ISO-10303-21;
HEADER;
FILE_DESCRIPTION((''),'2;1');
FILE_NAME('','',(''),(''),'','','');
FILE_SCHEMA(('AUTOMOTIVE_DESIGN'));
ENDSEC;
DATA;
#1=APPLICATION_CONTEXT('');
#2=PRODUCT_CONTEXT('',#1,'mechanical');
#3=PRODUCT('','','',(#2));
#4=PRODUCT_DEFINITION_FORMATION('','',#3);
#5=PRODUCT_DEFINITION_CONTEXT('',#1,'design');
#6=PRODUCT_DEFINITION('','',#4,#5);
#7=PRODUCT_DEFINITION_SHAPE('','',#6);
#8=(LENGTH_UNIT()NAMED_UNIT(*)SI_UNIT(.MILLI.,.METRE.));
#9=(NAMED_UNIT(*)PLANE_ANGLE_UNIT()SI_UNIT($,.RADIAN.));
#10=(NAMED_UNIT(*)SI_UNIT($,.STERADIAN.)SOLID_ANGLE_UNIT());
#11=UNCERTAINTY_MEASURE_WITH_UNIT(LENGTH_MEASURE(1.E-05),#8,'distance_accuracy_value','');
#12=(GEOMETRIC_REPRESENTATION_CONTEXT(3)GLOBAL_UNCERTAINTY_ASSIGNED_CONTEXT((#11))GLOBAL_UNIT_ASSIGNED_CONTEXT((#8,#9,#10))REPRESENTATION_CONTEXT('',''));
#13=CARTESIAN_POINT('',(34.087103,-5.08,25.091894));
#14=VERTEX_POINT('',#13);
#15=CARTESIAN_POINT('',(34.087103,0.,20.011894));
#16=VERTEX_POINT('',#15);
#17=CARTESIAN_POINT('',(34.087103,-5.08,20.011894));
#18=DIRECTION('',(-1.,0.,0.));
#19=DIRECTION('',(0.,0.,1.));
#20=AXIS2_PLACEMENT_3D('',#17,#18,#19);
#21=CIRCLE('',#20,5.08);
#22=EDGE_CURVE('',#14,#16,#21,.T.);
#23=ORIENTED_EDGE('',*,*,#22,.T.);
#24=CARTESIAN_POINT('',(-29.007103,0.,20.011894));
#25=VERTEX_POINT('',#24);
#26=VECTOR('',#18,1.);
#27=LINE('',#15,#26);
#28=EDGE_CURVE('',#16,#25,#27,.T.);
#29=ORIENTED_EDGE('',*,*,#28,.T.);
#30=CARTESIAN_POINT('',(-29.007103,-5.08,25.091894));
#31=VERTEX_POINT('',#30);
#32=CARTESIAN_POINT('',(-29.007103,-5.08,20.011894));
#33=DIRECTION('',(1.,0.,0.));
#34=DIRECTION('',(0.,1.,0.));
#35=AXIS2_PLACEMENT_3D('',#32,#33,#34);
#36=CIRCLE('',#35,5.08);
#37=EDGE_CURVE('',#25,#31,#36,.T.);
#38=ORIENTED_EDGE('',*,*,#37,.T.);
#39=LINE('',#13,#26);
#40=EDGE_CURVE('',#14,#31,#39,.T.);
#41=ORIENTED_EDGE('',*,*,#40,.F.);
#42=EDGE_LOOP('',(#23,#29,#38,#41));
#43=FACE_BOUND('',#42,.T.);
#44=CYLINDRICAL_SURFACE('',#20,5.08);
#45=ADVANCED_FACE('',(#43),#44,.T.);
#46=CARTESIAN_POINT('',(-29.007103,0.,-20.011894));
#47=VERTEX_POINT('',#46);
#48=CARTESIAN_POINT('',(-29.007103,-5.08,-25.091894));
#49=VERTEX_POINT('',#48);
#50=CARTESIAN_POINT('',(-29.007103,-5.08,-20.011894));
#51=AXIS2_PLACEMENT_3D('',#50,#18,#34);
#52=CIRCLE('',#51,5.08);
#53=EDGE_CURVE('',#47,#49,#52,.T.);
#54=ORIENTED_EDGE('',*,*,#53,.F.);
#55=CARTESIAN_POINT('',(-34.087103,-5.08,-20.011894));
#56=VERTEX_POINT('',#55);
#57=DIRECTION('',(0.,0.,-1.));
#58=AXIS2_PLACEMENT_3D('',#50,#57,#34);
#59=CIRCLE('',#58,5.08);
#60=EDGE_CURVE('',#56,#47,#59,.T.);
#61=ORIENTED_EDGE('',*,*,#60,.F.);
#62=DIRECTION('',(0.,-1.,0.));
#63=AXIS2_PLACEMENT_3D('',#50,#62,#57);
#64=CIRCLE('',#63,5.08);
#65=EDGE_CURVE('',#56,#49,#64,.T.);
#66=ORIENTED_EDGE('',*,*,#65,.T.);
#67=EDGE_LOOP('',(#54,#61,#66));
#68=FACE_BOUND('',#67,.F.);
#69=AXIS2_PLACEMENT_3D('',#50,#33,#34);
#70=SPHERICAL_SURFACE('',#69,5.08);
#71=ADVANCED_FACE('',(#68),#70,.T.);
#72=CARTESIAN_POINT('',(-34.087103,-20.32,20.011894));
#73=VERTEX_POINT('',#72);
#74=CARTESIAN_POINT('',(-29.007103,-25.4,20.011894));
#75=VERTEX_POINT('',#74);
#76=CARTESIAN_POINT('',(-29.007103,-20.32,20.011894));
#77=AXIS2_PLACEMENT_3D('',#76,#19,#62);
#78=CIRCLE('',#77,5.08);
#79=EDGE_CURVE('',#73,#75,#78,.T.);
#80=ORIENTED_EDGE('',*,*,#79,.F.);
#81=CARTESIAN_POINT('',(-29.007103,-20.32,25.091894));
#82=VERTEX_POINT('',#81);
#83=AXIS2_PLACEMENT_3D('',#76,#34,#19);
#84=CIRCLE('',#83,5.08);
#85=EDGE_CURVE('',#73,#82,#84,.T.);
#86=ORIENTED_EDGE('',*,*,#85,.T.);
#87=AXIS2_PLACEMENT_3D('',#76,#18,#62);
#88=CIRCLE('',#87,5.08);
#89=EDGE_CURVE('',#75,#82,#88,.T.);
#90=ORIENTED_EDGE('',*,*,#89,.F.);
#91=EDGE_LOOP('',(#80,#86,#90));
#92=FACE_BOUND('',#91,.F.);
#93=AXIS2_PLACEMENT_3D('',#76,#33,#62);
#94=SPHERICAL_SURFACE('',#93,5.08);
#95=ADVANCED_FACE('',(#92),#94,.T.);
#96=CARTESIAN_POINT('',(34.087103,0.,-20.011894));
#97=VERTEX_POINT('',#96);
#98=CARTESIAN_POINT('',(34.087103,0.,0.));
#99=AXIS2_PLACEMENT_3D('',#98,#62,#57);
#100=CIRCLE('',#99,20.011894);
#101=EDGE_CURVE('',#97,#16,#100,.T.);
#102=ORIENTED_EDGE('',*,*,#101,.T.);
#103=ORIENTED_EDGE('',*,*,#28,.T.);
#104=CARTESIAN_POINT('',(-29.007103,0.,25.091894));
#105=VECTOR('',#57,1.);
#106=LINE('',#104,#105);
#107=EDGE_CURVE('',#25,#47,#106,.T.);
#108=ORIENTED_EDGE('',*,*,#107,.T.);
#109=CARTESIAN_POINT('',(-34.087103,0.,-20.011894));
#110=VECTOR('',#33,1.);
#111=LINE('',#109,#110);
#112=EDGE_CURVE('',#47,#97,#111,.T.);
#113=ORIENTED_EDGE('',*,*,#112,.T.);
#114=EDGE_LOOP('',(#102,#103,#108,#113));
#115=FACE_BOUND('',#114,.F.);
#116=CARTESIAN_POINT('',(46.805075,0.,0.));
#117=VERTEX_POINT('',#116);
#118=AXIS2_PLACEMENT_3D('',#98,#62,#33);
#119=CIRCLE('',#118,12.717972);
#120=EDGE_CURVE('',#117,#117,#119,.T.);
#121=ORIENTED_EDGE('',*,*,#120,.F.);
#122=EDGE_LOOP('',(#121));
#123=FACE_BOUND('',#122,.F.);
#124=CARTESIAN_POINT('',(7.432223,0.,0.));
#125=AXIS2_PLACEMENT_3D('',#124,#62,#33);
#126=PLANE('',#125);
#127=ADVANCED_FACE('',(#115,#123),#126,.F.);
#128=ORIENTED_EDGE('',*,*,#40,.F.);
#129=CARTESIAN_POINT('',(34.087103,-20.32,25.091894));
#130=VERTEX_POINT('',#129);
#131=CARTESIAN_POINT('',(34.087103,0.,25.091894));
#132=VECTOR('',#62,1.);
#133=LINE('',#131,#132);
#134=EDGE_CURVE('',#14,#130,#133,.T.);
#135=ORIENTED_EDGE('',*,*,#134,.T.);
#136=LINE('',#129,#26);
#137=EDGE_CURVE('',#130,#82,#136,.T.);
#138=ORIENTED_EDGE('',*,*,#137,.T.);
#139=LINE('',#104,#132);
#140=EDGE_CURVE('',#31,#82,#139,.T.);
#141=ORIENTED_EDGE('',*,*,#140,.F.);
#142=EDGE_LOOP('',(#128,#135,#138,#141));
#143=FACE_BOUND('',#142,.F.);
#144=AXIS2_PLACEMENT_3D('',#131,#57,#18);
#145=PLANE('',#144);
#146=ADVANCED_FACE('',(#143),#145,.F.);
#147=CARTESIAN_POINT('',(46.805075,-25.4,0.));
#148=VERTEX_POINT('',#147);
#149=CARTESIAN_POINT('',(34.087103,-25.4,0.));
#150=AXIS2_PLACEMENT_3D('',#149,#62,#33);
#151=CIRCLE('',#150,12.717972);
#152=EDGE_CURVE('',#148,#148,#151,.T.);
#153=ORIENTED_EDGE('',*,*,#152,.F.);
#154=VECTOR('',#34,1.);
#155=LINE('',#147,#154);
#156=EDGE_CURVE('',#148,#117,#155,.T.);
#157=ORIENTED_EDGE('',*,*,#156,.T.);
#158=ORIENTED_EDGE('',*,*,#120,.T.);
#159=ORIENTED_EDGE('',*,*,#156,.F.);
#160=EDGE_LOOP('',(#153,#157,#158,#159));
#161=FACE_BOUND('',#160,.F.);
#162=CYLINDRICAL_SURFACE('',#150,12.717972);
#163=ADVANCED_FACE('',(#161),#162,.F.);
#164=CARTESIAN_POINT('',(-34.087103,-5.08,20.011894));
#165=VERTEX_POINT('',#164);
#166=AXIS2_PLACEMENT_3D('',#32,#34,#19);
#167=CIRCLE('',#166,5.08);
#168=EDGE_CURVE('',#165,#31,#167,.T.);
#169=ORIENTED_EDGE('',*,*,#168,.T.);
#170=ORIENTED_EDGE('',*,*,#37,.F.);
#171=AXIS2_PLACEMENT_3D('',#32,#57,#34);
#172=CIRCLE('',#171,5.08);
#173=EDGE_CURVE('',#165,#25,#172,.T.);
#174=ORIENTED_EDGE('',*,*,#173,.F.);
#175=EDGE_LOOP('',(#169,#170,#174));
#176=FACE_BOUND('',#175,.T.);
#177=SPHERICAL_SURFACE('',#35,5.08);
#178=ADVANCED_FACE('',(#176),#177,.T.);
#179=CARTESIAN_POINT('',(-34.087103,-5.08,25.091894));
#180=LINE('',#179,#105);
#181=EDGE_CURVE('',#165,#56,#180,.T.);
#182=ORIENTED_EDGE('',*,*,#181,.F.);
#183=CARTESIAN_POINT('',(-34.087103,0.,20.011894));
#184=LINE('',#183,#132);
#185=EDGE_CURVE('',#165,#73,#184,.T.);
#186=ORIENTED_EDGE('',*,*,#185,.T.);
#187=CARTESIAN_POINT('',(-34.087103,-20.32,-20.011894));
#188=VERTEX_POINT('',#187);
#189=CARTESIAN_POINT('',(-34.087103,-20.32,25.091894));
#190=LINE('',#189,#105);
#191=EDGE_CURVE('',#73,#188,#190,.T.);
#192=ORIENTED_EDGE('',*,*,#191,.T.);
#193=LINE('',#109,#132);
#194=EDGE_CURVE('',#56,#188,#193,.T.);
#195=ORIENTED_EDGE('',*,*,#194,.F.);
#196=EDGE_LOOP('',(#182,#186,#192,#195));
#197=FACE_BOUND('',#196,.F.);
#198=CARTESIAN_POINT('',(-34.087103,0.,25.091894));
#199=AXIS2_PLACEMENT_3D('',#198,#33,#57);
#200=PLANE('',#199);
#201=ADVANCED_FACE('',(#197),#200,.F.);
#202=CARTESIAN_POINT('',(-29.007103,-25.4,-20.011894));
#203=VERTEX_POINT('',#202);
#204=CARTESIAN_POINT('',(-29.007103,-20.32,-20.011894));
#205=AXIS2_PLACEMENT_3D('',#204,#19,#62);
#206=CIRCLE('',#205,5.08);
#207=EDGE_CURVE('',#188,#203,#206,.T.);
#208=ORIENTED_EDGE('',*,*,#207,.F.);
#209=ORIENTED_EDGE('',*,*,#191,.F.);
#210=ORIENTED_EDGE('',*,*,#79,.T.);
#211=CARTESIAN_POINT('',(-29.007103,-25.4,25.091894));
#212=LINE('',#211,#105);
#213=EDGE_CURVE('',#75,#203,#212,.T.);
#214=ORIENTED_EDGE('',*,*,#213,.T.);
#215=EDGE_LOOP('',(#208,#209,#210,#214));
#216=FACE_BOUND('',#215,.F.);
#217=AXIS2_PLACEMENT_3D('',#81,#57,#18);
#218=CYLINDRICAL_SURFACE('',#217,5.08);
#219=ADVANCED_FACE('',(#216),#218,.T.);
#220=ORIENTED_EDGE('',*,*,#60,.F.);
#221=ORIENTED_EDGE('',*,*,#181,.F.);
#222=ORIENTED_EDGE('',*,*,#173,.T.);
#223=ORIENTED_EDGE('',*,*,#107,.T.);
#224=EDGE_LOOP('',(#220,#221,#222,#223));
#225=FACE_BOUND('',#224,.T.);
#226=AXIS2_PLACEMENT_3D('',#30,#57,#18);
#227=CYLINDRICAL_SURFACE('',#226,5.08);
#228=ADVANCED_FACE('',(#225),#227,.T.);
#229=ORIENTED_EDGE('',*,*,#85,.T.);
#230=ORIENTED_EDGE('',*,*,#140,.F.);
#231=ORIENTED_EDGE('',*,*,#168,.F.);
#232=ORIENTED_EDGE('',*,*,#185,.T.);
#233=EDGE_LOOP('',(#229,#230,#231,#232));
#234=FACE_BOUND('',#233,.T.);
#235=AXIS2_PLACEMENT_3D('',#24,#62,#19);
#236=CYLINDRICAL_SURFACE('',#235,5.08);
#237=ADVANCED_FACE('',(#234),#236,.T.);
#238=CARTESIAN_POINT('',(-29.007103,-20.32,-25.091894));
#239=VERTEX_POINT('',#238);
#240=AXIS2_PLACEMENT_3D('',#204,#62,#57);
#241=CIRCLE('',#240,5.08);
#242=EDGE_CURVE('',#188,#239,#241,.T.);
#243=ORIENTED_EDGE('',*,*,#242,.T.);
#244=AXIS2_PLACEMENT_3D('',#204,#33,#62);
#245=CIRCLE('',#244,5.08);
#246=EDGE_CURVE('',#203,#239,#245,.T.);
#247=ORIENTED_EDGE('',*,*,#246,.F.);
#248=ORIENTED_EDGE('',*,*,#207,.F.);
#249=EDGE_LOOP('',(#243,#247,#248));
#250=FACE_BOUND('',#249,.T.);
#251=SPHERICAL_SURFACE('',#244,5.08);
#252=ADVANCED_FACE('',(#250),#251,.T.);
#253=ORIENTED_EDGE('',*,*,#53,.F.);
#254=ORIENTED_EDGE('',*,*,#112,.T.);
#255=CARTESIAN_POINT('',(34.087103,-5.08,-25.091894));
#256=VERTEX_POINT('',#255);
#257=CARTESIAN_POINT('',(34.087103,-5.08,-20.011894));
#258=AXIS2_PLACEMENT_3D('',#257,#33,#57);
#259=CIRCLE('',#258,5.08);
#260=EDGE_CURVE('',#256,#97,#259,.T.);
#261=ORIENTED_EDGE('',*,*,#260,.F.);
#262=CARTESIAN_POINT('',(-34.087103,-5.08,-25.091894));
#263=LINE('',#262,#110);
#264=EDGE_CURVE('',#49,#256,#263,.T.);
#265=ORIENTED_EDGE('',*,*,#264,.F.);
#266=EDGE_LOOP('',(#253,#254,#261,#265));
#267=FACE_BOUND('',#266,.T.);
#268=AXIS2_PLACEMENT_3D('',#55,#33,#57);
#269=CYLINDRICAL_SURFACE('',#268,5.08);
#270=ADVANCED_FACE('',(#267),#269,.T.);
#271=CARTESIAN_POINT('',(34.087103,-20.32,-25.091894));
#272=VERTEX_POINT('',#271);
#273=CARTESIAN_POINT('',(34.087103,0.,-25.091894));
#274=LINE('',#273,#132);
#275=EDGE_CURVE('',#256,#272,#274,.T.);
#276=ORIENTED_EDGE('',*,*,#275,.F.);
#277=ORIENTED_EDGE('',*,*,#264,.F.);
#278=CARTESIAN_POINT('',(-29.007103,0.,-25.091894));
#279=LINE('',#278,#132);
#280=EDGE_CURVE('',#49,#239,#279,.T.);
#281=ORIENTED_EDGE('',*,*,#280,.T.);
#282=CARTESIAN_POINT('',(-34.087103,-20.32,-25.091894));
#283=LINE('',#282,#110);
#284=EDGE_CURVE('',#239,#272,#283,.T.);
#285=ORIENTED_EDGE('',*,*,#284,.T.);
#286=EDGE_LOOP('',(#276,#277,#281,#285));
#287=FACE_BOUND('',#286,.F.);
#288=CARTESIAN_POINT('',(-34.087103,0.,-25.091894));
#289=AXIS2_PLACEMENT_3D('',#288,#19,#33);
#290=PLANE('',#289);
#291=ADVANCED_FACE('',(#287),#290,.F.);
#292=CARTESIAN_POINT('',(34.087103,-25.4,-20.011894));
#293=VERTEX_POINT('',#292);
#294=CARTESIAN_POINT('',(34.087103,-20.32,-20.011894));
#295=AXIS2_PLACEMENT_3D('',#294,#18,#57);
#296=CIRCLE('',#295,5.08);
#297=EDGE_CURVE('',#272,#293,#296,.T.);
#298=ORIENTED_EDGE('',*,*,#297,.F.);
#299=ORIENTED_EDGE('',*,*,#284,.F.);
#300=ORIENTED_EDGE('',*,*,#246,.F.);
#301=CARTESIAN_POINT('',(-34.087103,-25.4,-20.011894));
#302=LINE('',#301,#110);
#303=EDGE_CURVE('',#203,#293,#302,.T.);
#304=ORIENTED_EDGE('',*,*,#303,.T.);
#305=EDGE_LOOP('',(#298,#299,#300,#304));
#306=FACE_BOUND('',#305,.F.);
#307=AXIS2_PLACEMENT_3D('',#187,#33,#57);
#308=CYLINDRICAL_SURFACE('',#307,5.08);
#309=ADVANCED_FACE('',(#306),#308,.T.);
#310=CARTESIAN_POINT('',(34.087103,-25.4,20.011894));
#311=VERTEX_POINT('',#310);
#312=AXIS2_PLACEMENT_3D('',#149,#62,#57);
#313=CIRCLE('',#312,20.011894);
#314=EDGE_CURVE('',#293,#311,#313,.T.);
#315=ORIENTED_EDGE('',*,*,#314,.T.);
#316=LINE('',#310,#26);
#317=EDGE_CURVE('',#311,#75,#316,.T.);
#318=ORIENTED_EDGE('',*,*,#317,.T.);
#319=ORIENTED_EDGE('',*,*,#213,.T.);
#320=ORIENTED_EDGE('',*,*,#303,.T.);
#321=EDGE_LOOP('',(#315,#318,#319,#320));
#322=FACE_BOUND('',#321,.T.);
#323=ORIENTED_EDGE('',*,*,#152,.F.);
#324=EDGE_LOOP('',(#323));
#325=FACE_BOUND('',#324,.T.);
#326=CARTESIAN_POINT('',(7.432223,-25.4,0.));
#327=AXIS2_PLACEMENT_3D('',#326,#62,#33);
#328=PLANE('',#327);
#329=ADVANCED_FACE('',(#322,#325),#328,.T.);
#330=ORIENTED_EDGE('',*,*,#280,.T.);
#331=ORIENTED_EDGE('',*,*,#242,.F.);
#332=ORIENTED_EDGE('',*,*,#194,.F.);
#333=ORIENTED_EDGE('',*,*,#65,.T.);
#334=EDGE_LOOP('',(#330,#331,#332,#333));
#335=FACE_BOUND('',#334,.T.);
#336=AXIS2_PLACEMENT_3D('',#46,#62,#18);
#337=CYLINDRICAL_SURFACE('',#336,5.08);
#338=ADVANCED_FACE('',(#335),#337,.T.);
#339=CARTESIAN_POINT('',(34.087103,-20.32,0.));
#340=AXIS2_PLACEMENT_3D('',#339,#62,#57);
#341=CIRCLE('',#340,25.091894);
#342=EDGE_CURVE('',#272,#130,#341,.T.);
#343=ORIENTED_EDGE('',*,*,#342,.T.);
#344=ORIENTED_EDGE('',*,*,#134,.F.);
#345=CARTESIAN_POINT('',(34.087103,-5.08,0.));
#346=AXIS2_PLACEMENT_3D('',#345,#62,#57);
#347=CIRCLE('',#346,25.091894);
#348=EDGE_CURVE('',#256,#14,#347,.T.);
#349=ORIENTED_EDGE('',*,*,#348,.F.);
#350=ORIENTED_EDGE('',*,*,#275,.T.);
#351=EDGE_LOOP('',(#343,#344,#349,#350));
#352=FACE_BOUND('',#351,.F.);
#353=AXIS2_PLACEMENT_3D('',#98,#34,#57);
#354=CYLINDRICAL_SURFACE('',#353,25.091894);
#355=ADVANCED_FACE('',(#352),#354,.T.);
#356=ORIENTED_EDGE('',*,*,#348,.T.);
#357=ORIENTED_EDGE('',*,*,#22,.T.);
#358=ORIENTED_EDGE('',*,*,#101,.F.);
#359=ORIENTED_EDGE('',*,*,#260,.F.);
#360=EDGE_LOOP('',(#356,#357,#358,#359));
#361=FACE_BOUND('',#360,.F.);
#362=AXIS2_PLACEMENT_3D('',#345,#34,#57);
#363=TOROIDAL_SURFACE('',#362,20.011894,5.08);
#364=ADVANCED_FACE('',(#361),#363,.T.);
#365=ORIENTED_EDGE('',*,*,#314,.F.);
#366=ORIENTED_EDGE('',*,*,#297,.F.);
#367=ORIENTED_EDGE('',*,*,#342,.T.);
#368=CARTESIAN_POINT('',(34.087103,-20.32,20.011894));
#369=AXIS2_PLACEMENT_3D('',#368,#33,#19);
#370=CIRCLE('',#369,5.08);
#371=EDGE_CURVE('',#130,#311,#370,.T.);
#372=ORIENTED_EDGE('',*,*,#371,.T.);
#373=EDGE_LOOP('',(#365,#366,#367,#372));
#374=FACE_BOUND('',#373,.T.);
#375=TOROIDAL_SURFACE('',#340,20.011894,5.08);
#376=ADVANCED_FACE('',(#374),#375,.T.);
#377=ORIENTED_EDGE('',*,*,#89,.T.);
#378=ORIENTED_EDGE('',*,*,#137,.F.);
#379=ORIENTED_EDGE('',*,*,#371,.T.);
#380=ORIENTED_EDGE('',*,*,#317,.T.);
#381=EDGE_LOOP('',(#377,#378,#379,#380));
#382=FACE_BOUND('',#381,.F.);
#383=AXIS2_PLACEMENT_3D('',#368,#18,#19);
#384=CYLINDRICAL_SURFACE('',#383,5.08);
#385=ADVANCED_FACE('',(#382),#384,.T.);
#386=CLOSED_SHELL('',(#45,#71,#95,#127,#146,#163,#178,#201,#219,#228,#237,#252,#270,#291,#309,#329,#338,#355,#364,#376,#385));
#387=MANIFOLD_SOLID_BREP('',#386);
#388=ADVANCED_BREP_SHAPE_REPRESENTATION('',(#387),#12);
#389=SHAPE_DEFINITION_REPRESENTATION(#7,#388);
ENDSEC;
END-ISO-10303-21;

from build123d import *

# Parameters (mm, degrees)
F1_DEPTH = 25.4
F2_R     = 5.08
F3_R     = 12.717972
F4_DEPTH = 25.401


with BuildPart() as f1:
    # F0 (on Front) → F1 (new body)
    with BuildSketch(Plane.XZ):
        with BuildLine():
            ThreePointArc((34.087103, -25.091894), (59.178997, 0), (34.087103, 25.091894))
            Line((34.087103, 25.091894), (-34.087103, 25.091894))
            Line((-34.087103, 25.091894), (-34.087103, -25.091894))
            Line((-34.087103, -25.091894), (34.087103, -25.091894))
        make_face()
    extrude(amount=F1_DEPTH)

    # F2
    f2_edges = [f1.edges().sort_by_distance(p)[0] for p in [
        (0, -25.4, 25.091894),
        (-34.087103, -25.4, 0),
        (0, 0, -25.091894),
        (-34.087103, 0, 0),
        (-34.087103, -12.7, -25.091894),
        (-34.087103, -12.7, 25.091894),
    ]]
    fillet(f2_edges, radius=F2_R)

    # F3 (on face) → F4 (cut, through all)
    with BuildSketch(Plane.XZ.offset(25.4)):
        with Locations((34.087103, 0)):
            Circle(F3_R)
    extrude(amount=-F4_DEPTH, mode=Mode.SUBTRACT)


solid = f1.part
